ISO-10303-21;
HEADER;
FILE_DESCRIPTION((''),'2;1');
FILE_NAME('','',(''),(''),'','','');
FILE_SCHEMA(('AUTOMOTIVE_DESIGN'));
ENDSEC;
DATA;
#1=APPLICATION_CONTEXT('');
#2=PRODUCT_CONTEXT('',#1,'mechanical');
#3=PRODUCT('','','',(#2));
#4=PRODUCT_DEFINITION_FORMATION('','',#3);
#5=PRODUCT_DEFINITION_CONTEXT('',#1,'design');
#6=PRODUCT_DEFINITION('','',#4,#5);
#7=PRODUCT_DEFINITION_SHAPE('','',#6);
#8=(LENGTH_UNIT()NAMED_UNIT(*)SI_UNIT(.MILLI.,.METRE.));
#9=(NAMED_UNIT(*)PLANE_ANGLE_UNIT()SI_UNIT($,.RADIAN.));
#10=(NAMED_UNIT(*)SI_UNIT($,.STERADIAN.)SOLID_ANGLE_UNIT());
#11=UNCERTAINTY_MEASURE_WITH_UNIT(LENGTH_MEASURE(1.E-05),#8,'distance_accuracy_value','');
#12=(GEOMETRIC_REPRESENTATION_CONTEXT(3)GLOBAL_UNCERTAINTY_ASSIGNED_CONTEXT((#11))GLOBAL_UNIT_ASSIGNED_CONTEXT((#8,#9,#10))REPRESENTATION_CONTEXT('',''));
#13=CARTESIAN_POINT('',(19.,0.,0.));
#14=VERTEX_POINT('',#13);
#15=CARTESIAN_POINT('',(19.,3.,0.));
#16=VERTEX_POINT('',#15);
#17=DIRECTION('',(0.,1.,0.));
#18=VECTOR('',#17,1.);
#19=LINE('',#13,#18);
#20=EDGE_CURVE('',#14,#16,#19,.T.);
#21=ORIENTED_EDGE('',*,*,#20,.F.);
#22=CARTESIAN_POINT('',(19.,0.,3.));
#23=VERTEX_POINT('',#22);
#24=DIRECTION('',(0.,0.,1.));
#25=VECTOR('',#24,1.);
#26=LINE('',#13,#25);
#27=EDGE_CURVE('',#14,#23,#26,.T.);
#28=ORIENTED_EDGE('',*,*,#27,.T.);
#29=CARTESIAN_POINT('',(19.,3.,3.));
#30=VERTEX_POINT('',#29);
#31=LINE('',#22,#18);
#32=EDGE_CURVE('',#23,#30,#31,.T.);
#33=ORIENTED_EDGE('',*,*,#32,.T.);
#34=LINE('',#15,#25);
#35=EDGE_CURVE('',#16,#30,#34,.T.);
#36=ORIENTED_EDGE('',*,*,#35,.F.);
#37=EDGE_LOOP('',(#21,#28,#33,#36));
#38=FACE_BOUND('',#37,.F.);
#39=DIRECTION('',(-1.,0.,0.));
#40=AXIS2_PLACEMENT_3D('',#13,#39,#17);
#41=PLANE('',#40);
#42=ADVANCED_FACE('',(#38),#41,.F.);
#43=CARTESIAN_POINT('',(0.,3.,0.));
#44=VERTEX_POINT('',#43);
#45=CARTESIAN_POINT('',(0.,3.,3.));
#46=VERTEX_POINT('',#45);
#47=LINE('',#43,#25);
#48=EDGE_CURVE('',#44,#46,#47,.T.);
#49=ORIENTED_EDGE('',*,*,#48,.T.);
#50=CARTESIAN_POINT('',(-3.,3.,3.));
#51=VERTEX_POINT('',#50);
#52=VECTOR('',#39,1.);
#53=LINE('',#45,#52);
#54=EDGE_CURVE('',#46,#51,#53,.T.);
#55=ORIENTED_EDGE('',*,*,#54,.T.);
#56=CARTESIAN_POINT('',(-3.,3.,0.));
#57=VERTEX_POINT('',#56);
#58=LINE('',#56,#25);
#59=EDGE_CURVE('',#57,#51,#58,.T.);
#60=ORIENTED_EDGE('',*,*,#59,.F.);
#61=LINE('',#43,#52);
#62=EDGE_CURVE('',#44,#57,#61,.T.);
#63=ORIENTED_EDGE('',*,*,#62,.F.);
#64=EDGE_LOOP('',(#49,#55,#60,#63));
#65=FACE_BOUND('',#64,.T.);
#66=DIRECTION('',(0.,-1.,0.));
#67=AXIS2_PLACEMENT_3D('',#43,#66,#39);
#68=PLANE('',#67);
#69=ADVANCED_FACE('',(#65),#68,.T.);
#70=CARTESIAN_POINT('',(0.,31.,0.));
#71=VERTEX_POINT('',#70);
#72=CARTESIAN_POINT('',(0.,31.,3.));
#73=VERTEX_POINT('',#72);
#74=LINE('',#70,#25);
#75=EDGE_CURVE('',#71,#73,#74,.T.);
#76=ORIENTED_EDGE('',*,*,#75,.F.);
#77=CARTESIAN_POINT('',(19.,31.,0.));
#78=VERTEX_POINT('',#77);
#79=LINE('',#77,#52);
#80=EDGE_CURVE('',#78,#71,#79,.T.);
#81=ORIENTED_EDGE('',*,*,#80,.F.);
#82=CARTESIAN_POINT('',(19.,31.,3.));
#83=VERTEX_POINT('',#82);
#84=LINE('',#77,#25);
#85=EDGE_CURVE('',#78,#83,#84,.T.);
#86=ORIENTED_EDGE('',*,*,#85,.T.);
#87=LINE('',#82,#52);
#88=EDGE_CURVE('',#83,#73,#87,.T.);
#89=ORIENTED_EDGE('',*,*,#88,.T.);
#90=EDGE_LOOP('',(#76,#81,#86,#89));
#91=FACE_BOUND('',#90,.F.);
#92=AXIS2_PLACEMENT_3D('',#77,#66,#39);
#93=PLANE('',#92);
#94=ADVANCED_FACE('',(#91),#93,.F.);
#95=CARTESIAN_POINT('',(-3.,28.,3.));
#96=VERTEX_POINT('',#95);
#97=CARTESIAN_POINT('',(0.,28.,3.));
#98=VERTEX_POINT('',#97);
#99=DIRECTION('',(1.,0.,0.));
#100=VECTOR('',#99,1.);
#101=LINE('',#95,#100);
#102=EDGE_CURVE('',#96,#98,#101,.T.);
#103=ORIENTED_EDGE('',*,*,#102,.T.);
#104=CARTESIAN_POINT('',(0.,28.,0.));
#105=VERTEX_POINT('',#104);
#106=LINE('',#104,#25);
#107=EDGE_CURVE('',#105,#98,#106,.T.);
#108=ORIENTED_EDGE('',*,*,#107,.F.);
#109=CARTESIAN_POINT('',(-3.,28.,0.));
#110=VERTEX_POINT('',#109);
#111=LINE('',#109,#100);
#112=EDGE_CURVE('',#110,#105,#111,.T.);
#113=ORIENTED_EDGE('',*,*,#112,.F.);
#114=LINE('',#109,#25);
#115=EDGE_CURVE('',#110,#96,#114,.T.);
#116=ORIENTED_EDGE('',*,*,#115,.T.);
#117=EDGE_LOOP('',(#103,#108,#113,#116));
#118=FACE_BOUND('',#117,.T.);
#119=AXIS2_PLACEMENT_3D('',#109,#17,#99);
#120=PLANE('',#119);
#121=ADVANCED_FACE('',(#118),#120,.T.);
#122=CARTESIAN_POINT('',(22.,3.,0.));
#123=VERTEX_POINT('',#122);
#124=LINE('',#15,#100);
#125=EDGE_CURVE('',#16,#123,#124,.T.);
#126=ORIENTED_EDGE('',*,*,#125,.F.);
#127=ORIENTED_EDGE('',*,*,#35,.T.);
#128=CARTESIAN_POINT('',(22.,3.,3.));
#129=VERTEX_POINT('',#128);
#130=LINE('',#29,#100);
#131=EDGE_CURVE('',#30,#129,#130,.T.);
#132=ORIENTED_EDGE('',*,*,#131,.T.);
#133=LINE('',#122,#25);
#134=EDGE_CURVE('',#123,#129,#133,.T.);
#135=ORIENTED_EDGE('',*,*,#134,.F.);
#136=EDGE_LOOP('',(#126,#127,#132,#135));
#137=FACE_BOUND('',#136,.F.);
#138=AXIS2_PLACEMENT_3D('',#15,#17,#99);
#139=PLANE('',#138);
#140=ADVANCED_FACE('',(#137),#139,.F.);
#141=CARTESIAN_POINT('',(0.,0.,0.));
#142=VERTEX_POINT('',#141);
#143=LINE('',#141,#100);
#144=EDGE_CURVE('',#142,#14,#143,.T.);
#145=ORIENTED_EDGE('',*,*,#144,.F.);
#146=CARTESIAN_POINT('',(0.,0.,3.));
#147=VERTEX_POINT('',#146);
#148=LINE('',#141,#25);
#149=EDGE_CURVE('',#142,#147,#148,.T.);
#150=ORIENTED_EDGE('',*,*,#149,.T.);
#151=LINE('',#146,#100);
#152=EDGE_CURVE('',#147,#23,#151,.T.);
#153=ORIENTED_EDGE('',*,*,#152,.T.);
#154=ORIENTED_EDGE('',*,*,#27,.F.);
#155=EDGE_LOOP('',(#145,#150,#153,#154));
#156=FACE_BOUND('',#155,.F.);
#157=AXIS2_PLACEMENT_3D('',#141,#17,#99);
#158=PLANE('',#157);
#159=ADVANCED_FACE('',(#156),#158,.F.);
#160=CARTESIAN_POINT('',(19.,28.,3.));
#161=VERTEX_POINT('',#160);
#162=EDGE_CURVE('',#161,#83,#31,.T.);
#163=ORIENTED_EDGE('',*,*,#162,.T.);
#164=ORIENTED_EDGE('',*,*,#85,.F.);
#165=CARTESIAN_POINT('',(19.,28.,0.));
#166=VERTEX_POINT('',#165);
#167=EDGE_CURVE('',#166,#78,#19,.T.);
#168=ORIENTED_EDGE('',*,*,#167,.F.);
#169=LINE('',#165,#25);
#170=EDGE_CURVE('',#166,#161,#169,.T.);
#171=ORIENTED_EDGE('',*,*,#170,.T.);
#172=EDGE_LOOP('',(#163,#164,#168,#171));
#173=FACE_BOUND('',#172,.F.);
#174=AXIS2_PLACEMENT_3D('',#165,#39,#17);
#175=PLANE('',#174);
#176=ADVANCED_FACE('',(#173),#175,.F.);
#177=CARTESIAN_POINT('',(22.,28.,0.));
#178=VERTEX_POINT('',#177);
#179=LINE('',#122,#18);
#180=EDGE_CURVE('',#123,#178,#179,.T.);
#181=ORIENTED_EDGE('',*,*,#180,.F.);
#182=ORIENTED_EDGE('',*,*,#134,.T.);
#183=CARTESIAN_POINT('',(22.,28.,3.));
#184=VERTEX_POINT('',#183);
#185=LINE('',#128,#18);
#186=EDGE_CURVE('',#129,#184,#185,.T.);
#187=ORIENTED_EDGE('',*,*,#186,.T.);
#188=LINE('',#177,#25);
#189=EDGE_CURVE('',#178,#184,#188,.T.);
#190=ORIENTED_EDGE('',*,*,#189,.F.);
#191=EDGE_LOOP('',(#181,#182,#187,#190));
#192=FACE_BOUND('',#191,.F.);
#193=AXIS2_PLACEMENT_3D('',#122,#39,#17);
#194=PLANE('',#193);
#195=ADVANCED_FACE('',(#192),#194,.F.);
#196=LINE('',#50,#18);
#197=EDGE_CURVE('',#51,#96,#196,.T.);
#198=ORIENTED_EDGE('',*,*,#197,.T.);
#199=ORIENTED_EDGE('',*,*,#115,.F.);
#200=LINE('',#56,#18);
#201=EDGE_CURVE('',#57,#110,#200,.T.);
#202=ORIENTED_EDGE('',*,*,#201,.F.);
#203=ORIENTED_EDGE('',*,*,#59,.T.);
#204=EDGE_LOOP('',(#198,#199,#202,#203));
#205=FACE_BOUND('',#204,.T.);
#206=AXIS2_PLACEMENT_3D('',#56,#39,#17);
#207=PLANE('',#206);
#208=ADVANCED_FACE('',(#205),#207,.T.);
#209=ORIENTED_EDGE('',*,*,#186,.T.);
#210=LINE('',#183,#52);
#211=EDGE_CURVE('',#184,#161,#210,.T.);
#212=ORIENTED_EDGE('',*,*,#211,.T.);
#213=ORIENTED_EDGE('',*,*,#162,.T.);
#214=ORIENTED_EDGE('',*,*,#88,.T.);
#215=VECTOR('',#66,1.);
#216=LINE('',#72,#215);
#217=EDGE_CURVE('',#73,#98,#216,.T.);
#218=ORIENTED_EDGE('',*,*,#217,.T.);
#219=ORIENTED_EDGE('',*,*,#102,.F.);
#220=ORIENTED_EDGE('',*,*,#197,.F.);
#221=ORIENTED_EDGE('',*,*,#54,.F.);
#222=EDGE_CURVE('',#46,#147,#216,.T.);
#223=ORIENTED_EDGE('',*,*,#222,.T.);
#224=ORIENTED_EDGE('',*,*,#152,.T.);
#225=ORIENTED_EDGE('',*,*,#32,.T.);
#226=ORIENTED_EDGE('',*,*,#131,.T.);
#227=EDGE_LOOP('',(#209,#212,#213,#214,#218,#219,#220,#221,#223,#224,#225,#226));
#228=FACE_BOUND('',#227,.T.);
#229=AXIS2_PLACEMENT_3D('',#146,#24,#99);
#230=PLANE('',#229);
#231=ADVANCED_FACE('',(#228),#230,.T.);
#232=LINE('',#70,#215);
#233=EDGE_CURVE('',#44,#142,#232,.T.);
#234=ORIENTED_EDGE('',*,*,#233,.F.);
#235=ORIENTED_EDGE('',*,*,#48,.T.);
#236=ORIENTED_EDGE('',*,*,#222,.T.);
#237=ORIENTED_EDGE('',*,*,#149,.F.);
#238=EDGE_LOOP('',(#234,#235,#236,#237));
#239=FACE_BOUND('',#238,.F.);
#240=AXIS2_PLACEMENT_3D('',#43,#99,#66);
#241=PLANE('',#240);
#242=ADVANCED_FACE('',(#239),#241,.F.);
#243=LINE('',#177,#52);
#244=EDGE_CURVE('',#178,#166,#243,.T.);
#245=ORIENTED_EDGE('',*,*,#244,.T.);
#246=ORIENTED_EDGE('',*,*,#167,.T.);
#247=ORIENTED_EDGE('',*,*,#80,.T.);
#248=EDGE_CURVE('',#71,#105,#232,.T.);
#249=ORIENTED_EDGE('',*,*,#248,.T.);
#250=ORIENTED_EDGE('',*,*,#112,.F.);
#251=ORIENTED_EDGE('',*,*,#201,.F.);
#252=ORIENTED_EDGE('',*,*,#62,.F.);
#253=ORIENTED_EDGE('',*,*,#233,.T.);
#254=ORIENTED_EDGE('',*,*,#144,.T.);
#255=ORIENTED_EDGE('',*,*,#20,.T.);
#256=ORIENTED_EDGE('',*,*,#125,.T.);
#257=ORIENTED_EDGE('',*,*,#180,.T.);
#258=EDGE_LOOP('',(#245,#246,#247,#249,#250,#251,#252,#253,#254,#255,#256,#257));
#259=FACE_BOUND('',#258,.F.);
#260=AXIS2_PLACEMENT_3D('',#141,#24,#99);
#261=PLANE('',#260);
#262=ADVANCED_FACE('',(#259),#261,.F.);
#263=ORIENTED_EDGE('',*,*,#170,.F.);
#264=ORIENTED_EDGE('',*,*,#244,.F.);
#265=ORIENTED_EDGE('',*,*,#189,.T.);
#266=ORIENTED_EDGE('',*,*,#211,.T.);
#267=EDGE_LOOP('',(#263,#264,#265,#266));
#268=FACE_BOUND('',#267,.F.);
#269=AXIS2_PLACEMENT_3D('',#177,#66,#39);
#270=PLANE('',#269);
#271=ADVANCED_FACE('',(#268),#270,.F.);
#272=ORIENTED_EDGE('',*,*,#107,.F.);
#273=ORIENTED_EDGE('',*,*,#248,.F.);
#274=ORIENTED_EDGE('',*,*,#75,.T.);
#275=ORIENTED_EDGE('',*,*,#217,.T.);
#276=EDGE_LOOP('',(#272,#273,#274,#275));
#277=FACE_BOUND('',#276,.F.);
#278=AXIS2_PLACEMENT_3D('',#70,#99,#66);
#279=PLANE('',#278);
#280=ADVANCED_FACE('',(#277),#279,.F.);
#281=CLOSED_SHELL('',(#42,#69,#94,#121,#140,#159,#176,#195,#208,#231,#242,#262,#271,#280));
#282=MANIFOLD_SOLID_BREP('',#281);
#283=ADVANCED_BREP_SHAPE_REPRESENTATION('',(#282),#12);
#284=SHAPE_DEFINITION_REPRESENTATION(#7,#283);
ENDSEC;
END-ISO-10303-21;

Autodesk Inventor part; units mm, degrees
ref_plane "YZ Plane" through (0, 0, 0) normal (1, 0, 0) x (0, 1, 0)
ref_plane "XZ Plane" through (0, 0, 0) normal (0, 1, 0) x (-1, 0, 0)
ref_plane "XY Plane" through (0, 0, 0) normal (0, 0, 1) x (1, 0, 0)
sketch "Sketch1" plane through (0, 0, 0) normal (0, 0, 1) x (1, 0, 0)
  line L0 (0, 0) -> (19, 0)
  line L1 (19, 0) -> (19, 31)
  line L2 (19, 31) -> (0, 31)
  line L3 (0, 31) -> (0, 0)
  line L4 (-3, 28) -> (0, 28)
  line L5 (0, 28) -> (0, 3)
  line L6 (0, 3) -> (-3, 3)
  line L7 (-3, 3) -> (-3, 28)
  line L8 (-3, 28) -> (0, 3) construction
  line L9 (0, 28) -> (-3, 3) construction
  line L10 (22, 28) -> (19, 28)
  line L11 (19, 28) -> (19, 3)
  line L12 (19, 3) -> (22, 3)
  line L13 (22, 3) -> (22, 28)
  line L14 (22, 28) -> (19, 3) construction
  line L15 (19, 28) -> (22, 3) construction
  point P0 (-1.5, 15.5)
  point P1 (20.5, 15.5)
  point P2 (0, 15.5)
  point P3 (0, 15.5)
  point P4 (0, 28)
  dimension "d0" = 19
  dimension "d1" = 31
  dimension "d2" = 3
  dimension "d3" = 3
  dimension "d4" = 25
extrude "Extrusion1" add sketch "Sketch1" along normal blind 3
properties part number "Frontrail"
